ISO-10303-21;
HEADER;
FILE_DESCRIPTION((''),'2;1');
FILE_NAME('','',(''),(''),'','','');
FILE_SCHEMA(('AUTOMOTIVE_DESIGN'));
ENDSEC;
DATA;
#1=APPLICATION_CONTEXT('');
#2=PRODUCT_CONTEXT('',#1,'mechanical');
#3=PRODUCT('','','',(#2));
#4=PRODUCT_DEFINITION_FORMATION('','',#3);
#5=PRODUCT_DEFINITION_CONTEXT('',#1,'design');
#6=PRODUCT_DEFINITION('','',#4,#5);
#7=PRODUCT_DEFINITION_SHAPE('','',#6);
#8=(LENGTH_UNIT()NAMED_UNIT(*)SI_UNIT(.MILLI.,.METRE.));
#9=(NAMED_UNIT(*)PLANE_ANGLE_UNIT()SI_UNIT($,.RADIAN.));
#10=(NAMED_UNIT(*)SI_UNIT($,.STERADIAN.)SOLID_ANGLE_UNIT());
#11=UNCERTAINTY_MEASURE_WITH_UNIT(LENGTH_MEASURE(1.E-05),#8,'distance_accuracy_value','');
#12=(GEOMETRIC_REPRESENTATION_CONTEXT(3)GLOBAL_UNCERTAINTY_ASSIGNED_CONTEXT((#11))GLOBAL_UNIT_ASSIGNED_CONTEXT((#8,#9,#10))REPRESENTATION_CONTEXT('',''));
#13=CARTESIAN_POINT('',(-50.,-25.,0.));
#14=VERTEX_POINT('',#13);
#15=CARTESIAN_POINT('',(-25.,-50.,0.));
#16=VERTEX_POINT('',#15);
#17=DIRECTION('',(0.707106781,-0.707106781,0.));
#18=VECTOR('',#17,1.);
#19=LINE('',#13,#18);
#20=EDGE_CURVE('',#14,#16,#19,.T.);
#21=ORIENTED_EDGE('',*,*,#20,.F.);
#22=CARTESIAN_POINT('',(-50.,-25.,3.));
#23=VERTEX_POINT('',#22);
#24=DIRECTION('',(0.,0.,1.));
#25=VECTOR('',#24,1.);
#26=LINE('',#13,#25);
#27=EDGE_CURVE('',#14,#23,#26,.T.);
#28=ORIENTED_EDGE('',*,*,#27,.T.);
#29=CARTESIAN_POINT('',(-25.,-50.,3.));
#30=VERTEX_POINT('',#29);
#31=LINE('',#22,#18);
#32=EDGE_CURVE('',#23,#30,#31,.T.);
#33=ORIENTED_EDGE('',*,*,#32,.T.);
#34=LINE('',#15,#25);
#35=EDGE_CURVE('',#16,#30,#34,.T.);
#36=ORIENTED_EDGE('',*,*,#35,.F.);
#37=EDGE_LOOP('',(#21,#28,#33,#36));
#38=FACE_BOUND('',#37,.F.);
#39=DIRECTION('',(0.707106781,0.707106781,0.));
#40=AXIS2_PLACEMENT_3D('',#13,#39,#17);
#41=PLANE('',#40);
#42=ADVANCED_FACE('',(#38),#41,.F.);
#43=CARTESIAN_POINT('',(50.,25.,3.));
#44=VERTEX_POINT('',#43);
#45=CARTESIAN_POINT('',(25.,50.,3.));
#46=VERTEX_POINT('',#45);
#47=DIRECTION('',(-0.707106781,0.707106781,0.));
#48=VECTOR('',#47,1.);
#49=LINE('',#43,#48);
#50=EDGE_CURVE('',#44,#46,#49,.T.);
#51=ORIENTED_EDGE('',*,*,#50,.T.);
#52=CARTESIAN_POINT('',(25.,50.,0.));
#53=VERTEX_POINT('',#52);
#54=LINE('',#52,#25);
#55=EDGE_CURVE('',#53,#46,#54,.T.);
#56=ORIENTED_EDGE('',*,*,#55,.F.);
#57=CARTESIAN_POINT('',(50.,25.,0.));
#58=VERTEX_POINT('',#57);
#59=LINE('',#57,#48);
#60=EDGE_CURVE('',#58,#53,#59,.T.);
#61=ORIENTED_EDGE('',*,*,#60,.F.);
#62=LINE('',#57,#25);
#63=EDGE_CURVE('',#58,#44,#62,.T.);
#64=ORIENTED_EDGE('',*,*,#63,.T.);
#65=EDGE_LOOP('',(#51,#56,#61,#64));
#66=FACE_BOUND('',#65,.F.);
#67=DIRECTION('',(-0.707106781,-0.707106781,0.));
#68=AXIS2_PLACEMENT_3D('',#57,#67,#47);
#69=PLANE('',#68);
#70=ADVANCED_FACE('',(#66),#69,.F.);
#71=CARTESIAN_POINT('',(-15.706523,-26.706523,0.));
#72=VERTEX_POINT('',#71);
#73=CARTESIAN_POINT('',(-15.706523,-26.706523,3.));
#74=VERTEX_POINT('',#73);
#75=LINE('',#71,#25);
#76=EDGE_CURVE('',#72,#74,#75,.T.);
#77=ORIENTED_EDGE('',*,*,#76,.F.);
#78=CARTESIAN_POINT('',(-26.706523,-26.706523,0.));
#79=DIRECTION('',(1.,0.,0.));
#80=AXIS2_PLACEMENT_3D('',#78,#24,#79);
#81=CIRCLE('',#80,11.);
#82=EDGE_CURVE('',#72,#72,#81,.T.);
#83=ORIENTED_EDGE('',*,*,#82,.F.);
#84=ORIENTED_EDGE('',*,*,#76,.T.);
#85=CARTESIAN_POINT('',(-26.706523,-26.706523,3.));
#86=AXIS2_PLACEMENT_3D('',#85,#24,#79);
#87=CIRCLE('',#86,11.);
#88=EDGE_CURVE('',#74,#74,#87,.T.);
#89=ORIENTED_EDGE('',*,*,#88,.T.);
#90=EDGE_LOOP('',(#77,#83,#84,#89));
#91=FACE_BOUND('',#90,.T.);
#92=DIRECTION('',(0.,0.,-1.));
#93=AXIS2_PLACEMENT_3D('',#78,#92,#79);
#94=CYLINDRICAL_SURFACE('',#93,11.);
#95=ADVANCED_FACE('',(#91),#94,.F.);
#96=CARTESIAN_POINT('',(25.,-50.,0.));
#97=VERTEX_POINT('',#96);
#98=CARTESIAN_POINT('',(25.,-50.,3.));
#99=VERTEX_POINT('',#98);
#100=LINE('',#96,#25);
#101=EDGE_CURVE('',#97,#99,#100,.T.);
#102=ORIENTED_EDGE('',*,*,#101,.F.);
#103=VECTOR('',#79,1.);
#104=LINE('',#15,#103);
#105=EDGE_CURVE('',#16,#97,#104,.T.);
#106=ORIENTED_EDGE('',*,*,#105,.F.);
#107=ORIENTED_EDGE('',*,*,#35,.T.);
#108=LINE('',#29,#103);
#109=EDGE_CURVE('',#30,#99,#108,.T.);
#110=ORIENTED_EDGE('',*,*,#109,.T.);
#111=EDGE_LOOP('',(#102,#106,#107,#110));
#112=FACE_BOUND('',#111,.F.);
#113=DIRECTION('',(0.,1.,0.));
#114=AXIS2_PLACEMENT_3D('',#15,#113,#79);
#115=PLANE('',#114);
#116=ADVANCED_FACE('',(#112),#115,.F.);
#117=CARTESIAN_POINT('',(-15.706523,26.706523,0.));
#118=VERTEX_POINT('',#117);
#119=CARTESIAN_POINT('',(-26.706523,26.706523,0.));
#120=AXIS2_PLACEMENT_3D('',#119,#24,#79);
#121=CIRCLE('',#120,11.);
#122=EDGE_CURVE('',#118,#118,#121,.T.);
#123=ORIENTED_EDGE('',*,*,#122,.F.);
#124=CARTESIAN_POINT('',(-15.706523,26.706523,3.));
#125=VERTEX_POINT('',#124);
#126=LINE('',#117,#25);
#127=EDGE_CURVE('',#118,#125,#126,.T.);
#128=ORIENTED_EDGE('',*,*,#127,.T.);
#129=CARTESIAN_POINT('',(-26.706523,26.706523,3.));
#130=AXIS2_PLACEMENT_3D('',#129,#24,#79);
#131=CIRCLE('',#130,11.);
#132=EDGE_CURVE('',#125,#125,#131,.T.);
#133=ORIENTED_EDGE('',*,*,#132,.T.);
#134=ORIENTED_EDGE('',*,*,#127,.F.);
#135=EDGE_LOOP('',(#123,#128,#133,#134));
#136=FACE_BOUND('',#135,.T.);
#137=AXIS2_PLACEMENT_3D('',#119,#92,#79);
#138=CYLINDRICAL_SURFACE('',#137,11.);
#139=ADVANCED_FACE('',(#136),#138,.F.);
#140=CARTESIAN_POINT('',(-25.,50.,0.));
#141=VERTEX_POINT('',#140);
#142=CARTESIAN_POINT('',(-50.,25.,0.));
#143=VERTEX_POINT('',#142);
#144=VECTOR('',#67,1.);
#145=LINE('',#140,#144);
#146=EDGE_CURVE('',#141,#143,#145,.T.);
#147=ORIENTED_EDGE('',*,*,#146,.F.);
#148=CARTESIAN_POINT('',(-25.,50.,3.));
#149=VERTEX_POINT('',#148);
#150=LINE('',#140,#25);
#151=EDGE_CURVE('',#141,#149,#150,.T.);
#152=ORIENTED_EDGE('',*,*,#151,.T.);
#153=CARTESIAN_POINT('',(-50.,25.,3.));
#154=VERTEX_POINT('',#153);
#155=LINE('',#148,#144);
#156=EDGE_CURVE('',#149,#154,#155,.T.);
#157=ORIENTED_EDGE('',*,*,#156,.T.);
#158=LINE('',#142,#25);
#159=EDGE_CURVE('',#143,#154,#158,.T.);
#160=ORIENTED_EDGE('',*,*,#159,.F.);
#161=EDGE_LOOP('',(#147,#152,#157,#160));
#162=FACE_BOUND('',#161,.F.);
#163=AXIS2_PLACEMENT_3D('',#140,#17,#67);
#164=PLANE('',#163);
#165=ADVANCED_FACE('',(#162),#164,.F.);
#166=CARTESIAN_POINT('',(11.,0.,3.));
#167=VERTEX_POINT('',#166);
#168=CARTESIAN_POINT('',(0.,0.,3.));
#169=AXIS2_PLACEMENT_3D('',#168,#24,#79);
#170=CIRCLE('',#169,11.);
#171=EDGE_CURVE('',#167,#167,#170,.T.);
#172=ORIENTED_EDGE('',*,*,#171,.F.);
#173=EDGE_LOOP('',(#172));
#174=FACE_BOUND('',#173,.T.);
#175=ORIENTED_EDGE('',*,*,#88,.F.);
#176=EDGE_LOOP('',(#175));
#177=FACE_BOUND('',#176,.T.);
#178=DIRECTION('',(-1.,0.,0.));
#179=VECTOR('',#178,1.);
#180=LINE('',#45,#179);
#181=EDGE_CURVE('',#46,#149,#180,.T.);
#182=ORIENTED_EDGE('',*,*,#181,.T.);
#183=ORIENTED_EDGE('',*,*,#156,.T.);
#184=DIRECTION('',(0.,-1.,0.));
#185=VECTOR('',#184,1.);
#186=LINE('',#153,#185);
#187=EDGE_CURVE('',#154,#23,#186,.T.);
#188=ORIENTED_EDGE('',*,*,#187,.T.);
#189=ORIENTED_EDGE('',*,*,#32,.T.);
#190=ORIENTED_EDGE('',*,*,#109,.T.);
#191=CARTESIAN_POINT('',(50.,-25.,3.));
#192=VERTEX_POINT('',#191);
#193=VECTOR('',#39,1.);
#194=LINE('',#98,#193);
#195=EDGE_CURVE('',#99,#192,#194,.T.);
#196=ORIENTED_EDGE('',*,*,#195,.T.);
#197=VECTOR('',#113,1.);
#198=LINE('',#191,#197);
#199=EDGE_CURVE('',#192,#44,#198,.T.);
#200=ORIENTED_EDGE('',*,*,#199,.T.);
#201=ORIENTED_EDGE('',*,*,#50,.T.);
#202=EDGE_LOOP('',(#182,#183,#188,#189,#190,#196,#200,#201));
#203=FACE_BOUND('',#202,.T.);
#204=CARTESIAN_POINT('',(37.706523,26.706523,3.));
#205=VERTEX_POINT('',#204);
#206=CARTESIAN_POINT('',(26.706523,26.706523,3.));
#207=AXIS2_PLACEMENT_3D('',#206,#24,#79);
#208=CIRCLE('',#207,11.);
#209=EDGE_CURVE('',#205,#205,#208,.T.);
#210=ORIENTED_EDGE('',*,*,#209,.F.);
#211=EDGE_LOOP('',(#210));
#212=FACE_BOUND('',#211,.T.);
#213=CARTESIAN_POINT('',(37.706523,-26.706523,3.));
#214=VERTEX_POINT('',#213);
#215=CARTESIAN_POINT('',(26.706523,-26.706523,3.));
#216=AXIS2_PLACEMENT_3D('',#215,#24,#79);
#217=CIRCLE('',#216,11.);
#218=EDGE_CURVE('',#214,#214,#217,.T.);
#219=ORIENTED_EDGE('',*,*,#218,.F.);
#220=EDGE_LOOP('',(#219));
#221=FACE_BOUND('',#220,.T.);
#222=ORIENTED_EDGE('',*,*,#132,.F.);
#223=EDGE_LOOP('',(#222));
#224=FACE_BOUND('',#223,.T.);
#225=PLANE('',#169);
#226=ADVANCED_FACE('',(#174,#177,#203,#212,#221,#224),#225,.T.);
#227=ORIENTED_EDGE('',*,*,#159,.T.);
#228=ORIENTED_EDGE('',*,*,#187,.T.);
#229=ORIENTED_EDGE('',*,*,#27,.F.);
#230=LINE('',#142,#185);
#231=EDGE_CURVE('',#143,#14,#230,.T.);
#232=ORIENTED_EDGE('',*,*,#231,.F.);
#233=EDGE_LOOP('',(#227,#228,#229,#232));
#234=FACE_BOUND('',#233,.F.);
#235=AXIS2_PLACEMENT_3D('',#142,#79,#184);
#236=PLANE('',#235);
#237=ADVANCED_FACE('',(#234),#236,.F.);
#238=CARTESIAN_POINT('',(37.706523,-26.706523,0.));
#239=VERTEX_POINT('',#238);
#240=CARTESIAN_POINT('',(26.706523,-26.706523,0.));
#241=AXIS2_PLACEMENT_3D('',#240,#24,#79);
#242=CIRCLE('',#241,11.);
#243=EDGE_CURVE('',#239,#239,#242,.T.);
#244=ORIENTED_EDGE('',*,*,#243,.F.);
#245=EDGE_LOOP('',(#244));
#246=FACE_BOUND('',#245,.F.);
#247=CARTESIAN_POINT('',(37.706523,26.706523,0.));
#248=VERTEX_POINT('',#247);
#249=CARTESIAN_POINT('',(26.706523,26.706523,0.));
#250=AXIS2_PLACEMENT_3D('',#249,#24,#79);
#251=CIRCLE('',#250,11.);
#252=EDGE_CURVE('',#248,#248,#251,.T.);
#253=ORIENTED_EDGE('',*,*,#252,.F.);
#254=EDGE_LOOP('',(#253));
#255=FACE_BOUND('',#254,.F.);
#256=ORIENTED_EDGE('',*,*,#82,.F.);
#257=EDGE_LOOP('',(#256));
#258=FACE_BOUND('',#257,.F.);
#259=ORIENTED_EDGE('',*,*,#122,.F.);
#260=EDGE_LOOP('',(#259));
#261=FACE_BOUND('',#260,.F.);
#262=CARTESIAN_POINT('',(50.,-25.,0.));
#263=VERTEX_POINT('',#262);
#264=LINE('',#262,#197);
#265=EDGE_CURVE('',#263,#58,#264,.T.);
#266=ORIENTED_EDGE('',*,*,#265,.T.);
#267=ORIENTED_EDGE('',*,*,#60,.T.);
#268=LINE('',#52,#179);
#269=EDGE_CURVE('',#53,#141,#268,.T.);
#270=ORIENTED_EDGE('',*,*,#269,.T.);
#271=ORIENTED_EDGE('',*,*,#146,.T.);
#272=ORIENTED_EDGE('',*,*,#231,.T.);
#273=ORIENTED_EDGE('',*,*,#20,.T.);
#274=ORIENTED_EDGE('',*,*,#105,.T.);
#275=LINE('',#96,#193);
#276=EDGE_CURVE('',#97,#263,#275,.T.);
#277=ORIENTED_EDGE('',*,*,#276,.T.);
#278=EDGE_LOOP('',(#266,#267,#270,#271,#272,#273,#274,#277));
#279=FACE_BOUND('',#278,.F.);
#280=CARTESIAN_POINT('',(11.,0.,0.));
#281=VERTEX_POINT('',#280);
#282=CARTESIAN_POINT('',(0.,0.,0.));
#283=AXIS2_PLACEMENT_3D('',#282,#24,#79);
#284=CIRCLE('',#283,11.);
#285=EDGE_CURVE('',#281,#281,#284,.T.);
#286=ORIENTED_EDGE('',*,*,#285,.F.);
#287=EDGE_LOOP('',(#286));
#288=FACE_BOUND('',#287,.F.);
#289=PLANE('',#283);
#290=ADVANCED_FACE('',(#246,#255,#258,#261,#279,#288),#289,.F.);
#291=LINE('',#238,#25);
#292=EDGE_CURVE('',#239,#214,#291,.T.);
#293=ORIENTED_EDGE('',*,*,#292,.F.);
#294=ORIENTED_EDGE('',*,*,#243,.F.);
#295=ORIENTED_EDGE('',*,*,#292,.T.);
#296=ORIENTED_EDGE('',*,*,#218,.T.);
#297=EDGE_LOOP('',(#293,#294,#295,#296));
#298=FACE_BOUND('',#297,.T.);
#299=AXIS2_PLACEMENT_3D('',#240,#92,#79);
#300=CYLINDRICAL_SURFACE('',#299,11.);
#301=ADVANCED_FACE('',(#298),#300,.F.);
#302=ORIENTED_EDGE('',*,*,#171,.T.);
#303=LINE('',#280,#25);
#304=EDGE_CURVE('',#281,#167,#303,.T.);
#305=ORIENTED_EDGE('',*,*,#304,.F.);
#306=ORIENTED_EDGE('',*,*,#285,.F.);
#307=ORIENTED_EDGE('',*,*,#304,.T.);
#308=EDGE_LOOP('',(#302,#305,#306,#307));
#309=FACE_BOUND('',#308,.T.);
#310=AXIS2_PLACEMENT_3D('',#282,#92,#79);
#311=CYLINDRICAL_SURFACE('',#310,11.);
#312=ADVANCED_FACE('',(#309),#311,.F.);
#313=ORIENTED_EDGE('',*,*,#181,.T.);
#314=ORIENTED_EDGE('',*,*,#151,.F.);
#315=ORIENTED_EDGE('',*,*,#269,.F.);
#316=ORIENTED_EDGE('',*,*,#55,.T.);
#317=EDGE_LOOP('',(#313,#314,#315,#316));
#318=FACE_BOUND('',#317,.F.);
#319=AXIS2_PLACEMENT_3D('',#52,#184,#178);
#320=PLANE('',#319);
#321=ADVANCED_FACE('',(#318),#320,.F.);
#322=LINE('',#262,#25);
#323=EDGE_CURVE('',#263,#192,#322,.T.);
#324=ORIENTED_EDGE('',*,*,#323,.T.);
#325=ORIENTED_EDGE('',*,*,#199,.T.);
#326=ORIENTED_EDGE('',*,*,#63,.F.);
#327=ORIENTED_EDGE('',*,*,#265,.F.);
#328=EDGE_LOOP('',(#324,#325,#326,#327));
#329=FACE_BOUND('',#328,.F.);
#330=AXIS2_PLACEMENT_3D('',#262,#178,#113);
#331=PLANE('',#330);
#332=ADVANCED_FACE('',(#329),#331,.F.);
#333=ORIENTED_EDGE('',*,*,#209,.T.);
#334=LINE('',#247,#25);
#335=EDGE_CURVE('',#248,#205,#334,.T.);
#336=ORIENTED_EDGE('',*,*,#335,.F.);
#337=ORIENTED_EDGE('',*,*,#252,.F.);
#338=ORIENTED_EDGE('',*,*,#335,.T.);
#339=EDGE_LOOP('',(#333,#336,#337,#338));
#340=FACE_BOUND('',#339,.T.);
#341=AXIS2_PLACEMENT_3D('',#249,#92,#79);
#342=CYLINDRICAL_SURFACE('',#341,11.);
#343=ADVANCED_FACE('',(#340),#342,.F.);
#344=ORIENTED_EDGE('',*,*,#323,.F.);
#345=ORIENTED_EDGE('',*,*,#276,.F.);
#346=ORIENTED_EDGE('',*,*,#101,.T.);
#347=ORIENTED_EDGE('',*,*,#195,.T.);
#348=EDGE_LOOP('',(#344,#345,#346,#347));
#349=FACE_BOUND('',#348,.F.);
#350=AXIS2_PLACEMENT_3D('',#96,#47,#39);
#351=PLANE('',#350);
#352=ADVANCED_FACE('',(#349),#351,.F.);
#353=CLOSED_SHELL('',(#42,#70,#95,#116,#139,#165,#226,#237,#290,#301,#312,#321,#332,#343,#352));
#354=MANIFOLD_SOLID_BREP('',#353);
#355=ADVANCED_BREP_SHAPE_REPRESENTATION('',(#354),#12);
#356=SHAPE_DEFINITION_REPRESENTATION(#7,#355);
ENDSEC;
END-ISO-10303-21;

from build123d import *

# Parameters (mm, degrees)
F0_R     = 11
F1_DEPTH = 3


with BuildPart() as f1:
    # F0 (on Top) → F1 (new body)
    with BuildSketch(Plane.XY):
        Polygon((25, 50), (0, 50), (-25, 50), (-50, 25), (-50, 0), (-50, -25), (-25, -50), (0, -50), (25, -50), (50, -25), (50, 0), (50, 25), align=None)
        with Locations((-26.706523, -26.706523)):
            Circle(F0_R, mode=Mode.SUBTRACT)
        with Locations((26.706523, -26.706523)):
            Circle(F0_R, mode=Mode.SUBTRACT)
        with Locations((-26.706523, 26.706523)):
            Circle(F0_R, mode=Mode.SUBTRACT)
        Circle(F0_R, mode=Mode.SUBTRACT)
        with Locations((26.706523, 26.706523)):
            Circle(F0_R, mode=Mode.SUBTRACT)
    extrude(amount=F1_DEPTH)


solid = f1.part
